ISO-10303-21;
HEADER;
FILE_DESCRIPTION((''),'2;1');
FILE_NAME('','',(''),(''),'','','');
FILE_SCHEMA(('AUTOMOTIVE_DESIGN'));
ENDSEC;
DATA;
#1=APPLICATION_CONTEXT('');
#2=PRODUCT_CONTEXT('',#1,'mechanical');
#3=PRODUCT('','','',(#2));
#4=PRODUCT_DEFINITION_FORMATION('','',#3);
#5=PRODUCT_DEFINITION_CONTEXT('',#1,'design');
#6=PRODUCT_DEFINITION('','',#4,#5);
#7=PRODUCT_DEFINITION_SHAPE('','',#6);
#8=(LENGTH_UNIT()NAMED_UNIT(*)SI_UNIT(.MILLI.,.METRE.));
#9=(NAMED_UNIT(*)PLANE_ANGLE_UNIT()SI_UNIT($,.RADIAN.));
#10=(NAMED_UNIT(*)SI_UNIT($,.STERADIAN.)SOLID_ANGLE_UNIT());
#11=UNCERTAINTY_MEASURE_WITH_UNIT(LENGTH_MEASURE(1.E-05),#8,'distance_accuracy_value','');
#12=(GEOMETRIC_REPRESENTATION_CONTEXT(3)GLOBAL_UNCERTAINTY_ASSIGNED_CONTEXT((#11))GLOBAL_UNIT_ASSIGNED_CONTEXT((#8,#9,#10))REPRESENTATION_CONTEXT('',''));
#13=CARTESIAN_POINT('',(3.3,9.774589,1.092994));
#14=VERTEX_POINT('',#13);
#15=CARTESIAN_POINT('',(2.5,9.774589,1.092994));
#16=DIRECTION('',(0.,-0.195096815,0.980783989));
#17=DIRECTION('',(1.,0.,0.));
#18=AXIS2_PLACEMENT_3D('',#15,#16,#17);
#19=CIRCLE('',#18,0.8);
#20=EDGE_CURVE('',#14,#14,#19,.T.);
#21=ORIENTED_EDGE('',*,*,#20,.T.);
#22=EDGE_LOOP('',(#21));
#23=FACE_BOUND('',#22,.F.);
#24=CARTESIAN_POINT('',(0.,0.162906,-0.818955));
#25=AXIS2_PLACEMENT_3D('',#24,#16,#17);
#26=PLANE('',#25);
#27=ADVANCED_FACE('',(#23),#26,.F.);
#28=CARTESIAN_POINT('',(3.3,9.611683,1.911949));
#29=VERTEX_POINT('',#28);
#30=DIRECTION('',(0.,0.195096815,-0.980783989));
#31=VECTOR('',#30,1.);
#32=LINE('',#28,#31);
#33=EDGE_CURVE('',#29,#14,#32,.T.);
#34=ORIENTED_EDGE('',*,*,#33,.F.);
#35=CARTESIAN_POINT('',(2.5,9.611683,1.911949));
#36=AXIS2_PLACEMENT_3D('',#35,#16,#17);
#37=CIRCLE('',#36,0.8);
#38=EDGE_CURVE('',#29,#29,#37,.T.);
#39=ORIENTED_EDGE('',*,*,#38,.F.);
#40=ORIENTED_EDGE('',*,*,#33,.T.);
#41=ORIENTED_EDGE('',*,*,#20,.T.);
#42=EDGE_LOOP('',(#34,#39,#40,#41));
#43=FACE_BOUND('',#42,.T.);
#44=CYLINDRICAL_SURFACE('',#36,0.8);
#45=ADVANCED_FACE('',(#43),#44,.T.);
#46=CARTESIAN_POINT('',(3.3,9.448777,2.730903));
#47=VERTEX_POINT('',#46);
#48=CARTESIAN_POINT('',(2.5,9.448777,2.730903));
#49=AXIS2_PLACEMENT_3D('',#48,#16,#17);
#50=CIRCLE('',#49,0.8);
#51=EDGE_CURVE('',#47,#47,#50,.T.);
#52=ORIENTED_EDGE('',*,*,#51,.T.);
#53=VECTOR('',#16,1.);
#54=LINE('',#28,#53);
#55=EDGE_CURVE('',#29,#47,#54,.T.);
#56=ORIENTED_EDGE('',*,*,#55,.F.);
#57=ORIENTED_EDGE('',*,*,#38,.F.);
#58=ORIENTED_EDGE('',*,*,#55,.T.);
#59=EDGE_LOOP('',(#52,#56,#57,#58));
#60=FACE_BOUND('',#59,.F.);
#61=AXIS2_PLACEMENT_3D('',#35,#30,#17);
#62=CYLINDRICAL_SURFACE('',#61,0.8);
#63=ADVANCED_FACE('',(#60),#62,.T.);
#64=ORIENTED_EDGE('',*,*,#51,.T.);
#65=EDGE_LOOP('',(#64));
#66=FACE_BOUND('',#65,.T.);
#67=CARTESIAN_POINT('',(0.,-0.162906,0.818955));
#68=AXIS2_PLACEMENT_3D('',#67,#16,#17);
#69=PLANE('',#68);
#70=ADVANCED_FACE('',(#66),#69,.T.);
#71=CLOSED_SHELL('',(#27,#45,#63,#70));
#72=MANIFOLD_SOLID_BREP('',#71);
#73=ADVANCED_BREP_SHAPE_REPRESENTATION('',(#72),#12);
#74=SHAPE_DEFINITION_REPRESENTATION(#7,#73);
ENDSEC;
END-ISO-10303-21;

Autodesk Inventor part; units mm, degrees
ref_plane "YZ Plane" through (0, 0, 0) normal (1, 0, 0) x (0, 1, 0)
ref_plane "XZ Plane" through (0, 0, 0) normal (0, 1, 0) x (-1, 0, 0)
ref_plane "XY Plane" through (0, 0, 0) normal (0, 0, 1) x (1, 0, 0)
sketch "Sketch_1" plane through (0, 0, 0) normal (0, -0.1951, 0.9808) x (1, 0, 0)
  circle A0 centre (2.5, 9.8) radius 0.8
  dimension "d0" = 1.67
extrude "Extrusion1" add sketch "Sketch_1" along normal mid plane 1.67
properties part number "CRBT155A_PART5"
